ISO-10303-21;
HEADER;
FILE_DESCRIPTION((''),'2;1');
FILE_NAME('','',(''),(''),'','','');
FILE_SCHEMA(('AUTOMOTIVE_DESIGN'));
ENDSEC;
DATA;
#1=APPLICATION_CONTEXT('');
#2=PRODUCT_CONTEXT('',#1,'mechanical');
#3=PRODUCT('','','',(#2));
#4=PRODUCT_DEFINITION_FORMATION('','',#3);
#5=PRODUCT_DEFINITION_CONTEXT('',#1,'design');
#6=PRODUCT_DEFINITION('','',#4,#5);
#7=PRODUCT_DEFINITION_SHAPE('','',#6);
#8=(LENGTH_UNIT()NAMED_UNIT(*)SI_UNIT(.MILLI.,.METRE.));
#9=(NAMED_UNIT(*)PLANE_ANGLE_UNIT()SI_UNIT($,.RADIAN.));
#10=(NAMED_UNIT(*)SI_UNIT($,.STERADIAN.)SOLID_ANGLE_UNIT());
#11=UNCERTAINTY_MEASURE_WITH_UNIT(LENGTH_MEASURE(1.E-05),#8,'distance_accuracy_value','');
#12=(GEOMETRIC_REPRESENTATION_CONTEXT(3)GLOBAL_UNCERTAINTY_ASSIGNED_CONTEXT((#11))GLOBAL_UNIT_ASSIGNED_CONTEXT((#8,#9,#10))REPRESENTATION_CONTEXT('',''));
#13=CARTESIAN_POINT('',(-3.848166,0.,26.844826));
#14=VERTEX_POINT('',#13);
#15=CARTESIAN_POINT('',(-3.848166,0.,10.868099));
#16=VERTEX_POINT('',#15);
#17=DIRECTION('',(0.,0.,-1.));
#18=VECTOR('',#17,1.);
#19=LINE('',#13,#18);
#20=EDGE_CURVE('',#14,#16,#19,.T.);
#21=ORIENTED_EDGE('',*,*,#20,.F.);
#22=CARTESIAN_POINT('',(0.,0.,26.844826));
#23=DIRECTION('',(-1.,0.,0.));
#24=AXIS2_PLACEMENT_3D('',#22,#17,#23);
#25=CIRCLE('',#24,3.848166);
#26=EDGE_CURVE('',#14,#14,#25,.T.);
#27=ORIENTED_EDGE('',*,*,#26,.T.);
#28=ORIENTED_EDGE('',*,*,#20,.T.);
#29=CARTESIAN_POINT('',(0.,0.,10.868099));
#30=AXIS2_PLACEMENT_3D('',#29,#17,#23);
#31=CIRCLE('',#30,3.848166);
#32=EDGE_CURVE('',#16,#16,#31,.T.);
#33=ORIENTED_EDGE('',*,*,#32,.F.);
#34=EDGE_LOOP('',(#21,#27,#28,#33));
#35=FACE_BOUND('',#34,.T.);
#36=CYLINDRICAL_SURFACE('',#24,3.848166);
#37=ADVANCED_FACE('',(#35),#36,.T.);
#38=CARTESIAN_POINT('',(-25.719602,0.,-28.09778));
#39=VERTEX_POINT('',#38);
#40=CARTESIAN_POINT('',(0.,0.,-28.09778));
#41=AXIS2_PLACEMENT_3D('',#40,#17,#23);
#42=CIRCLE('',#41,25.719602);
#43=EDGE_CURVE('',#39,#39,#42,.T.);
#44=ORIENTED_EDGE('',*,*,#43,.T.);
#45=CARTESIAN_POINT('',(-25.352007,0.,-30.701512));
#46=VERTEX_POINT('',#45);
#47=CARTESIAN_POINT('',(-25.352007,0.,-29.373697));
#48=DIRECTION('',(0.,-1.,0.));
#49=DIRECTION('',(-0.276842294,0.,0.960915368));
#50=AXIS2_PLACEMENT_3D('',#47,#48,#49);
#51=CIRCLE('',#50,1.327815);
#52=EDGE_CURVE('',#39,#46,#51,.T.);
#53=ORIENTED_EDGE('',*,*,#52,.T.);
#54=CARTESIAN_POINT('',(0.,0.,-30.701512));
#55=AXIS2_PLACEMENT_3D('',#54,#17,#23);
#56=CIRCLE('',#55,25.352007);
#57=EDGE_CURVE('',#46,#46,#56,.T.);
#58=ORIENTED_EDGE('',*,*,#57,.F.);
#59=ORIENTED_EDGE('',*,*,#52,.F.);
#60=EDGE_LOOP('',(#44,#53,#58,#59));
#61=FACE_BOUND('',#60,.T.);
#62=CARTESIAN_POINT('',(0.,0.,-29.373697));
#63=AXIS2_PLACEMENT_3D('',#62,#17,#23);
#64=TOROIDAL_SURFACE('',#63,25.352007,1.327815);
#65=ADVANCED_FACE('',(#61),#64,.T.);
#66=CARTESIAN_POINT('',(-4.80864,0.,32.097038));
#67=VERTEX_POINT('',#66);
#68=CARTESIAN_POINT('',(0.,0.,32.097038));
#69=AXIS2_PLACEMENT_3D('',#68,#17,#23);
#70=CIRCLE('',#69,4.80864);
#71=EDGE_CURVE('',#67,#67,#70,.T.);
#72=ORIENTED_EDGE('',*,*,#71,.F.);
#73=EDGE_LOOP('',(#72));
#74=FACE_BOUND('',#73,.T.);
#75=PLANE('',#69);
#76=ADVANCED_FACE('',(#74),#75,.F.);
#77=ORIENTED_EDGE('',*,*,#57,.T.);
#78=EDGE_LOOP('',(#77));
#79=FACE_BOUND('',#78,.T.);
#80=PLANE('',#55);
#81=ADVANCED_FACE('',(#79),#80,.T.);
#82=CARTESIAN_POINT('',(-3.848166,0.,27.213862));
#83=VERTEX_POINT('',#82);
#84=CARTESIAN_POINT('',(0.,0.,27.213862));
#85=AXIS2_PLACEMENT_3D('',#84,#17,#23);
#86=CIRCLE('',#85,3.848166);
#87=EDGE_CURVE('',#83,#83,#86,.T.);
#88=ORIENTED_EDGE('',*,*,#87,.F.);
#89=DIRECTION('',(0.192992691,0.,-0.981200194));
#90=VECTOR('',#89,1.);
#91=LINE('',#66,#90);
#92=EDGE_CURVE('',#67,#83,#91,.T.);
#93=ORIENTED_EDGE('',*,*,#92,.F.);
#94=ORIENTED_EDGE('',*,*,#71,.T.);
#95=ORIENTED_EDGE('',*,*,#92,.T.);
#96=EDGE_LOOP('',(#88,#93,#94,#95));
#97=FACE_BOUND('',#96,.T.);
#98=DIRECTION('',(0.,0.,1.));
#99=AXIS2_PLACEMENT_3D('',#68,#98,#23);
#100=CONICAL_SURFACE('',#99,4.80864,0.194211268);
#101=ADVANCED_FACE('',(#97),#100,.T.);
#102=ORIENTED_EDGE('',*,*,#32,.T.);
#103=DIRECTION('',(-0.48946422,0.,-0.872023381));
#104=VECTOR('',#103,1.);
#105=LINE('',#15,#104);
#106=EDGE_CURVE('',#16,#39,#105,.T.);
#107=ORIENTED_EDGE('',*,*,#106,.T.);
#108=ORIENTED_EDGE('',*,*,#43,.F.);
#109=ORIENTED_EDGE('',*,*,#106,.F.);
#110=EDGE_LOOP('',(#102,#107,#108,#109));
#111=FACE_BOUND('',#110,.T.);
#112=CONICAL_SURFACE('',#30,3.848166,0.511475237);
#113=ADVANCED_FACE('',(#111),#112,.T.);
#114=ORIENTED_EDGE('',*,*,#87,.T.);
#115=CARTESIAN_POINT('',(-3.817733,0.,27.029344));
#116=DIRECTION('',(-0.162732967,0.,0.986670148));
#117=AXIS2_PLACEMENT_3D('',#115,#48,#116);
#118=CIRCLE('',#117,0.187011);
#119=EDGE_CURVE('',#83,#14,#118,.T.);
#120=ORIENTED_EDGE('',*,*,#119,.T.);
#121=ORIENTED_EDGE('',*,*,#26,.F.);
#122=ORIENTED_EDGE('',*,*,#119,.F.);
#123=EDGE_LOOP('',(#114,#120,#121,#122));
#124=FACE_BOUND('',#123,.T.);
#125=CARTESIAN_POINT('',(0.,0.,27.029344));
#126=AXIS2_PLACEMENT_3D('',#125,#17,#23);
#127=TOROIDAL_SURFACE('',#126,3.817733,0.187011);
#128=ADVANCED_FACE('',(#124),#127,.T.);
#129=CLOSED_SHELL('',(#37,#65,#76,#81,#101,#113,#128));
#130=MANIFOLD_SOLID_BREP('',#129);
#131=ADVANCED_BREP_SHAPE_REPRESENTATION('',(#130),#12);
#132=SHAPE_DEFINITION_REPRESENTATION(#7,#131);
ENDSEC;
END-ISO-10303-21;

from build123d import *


with BuildPart() as f1:
    # F0 (on Front) → F1 (revolve)
    with BuildSketch(Plane.XZ):
        with BuildLine():
            Line((0, -30.701512), (0, 32.097038))
            Line((0, 32.097038), (-4.80864, 32.097038))
            Line((-4.80864, 32.097038), (-3.848166, 27.213862))
            ThreePointArc((-3.848166, 27.213862), (-4.004744, 27.029344), (-3.848166, 26.844826))
            Line((-3.848166, 26.844826), (-3.848166, 10.868099))
            Line((-3.848166, 10.868099), (-25.719602, -28.09778))
            ThreePointArc((-25.719602, -28.09778), (-26.666783, -29.559318), (-25.352007, -30.701512))
            Line((-25.352007, -30.701512), (0, -30.701512))
        make_face()
    revolve(axis=Axis((0, 0, 0.697763), (0, 0, -1)))


solid = f1.part
